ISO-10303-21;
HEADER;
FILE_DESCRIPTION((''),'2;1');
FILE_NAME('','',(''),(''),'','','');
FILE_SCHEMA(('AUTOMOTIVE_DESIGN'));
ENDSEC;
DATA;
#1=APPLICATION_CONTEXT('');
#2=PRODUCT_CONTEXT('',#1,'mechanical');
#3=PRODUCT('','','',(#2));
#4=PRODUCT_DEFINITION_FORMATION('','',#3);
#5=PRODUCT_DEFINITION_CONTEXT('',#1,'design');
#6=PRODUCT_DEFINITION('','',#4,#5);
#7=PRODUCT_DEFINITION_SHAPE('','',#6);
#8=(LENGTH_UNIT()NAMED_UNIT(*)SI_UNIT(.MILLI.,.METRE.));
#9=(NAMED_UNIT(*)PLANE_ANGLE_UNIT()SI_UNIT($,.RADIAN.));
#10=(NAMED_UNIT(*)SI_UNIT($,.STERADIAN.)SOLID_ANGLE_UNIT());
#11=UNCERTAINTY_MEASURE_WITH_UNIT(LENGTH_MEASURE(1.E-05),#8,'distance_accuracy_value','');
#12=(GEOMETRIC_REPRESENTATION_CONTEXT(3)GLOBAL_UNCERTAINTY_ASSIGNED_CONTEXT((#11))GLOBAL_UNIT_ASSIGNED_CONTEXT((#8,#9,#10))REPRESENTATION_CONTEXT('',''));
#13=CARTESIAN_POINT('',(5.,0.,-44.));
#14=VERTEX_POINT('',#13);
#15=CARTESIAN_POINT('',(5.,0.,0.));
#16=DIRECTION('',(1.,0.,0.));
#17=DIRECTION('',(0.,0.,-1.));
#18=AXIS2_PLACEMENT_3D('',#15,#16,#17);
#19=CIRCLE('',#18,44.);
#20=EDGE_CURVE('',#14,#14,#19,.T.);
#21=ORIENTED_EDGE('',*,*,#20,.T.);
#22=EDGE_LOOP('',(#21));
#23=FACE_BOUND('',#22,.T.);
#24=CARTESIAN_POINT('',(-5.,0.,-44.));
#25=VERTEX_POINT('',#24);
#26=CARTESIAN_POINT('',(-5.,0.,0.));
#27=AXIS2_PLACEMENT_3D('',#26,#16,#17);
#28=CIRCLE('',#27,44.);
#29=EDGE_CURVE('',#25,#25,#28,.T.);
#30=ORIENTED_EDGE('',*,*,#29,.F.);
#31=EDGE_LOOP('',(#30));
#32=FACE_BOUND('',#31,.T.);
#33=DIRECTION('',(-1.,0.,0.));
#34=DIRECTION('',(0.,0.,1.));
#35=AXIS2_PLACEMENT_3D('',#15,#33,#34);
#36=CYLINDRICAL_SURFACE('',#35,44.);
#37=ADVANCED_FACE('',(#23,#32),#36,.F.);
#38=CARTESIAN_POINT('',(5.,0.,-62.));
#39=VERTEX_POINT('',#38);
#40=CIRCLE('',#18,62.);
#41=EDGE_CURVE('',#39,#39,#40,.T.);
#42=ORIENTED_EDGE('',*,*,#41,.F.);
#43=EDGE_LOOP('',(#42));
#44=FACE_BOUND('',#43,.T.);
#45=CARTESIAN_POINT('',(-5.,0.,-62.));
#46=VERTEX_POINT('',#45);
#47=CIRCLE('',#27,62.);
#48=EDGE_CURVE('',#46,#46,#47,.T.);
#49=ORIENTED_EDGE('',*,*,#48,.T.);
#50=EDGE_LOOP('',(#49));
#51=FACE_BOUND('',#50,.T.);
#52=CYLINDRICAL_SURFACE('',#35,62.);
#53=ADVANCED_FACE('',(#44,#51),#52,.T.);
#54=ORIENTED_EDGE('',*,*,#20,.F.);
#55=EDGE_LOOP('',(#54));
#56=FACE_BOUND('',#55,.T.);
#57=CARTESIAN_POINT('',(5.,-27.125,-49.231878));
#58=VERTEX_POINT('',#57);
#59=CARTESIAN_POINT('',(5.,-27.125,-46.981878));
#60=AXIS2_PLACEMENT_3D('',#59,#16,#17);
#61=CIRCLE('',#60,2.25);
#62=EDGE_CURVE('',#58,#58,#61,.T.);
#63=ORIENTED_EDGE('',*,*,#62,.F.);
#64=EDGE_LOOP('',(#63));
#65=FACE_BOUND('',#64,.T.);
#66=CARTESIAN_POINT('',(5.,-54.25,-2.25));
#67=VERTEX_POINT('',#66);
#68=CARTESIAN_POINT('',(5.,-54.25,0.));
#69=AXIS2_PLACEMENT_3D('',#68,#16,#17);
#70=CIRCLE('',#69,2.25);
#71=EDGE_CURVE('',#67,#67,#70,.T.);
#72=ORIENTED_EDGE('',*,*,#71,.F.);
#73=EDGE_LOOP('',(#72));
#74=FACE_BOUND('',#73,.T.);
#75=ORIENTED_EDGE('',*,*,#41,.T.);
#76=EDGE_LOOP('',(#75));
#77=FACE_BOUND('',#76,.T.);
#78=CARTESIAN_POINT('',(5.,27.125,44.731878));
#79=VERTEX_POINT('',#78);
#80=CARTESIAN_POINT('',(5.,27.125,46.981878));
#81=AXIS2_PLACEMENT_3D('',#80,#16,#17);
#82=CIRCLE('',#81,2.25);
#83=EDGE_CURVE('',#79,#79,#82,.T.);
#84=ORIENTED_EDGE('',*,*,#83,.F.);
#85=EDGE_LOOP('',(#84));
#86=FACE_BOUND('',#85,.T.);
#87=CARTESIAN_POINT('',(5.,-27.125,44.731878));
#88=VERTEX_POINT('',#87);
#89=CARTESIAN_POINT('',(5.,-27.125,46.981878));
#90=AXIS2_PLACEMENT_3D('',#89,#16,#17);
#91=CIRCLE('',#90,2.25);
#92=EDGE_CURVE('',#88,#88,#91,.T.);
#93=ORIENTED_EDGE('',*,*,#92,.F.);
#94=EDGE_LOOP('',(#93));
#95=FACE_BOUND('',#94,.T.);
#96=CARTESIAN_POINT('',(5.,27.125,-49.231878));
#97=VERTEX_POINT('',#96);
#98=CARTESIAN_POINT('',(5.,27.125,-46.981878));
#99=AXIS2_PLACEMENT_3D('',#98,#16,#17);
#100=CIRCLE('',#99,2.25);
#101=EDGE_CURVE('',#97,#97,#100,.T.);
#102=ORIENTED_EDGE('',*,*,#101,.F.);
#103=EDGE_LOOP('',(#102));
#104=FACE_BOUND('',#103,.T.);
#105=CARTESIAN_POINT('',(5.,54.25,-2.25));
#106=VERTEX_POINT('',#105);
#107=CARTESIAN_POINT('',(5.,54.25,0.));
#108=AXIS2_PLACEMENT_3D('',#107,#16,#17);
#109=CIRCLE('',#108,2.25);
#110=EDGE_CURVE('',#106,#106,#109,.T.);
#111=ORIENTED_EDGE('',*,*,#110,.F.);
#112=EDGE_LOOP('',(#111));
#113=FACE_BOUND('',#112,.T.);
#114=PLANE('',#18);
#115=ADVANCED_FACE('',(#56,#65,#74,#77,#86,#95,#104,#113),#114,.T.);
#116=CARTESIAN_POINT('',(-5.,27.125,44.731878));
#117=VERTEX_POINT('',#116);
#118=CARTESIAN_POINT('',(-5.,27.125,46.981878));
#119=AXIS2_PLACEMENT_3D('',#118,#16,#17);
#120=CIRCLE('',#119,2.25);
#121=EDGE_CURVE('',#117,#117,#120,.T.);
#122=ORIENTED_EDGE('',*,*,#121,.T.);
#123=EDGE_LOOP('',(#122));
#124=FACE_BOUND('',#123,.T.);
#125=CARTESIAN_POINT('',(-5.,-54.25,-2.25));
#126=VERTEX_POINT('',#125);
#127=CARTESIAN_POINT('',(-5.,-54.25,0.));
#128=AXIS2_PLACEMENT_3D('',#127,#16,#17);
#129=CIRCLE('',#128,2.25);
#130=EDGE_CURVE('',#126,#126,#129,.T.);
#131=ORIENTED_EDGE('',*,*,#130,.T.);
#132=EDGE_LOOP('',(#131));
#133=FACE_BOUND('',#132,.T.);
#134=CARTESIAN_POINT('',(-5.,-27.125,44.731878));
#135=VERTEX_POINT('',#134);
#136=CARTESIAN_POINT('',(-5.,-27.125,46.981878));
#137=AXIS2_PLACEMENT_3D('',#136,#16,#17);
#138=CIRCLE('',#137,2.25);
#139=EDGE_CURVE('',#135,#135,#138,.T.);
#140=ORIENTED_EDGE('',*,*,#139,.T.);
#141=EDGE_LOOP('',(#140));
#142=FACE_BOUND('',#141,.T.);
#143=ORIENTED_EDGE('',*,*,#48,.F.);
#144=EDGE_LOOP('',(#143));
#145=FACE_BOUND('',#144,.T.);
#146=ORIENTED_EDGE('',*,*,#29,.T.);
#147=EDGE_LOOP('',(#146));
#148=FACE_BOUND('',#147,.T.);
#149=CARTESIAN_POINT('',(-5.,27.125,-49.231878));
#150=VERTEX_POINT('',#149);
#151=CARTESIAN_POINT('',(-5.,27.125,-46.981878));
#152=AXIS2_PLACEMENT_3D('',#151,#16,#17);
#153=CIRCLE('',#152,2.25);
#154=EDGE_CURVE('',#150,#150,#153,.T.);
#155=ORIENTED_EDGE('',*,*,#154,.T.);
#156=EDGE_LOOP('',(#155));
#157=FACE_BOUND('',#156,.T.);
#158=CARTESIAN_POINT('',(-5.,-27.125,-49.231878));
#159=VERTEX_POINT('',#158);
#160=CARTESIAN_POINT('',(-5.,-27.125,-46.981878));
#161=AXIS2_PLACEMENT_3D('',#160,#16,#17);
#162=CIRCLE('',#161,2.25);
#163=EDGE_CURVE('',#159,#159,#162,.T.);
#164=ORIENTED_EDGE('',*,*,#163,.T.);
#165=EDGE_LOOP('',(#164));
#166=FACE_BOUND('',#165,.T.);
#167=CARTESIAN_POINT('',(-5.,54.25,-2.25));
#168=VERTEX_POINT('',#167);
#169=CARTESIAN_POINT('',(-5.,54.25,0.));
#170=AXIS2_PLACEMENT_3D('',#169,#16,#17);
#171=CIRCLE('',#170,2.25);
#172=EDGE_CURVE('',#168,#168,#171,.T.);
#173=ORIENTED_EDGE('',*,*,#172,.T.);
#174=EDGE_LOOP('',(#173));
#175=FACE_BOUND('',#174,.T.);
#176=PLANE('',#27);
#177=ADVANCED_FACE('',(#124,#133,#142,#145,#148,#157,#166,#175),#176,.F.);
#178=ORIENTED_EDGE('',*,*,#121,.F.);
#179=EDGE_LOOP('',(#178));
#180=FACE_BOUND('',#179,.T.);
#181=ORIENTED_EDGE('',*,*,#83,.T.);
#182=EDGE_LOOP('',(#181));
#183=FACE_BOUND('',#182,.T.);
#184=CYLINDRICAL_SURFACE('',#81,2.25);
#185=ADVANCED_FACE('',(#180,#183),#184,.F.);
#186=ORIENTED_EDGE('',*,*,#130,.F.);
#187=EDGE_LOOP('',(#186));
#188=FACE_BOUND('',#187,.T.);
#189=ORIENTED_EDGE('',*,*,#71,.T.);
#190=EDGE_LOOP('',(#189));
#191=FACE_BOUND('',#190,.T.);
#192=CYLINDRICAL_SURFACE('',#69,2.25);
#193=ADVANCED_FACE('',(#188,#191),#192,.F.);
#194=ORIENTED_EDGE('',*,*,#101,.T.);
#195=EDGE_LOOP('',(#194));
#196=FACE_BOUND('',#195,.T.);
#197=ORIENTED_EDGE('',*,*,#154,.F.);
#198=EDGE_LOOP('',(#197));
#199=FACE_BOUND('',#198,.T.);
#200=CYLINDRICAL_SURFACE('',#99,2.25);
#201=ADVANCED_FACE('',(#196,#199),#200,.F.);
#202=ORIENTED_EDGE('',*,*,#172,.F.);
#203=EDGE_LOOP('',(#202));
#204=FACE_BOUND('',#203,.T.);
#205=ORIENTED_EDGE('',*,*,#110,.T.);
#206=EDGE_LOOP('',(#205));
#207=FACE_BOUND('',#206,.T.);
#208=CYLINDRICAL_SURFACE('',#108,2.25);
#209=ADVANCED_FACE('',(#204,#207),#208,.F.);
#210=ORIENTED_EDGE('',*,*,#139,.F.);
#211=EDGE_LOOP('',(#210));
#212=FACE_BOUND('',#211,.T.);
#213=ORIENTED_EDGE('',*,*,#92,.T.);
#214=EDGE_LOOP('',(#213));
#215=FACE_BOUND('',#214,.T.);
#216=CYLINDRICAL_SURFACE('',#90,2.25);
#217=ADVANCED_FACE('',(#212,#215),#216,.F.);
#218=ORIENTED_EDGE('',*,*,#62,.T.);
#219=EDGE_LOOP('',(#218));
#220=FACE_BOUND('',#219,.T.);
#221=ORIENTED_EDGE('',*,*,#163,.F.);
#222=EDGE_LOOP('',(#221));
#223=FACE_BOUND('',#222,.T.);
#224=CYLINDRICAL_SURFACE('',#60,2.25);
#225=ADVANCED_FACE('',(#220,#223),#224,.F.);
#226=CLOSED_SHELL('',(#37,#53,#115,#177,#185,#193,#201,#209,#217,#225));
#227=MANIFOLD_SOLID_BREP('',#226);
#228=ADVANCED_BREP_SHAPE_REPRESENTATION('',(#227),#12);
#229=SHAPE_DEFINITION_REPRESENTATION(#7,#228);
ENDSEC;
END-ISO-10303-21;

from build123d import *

# Parameters (mm, degrees)
SKETCH_1_R                = 62
SKETCH_1_R_2              = 44
EXTRUDE_373_DEPTH         = 5
PATTERN_CIRCULAR_M4_COUNT = 6


with BuildPart() as part:
    # ｽｹｯﾁ1 → Extrude 373 (new, symmetric)
    with BuildSketch(Plane(origin=(0, 0, 0), x_dir=(0, 0, -1), z_dir=(1, 0, 0))):
        Circle(SKETCH_1_R)
        Circle(SKETCH_1_R_2, mode=Mode.SUBTRACT)
    extrude(amount=EXTRUDE_373_DEPTH, both=True)

    # ｽｹｯﾁ2 → M4 通し穴 (revolve, cut)
    with BuildSketch(Plane(origin=(5, 54.25, 0), x_dir=(0, 0, -1), z_dir=(0, 1, 0))):
        Polygon((0, 0), (0, 11.351936393), (2.25, 10), (2.25, 0), align=None)
    hole_wizard_m4 = revolve(axis=Axis((11.35, 54.25, 0), (-1, 0, 0)), mode=Mode.SUBTRACT)

    # M4 通し穴 等配: M4 通し穴 ×6 about axis
    pattern_circular_m4_axis = Axis((-5.5, 0, 0), (1, 0, 0))
    for i in range(1, PATTERN_CIRCULAR_M4_COUNT):
        add(hole_wizard_m4.rotate(pattern_circular_m4_axis, i * 360 / PATTERN_CIRCULAR_M4_COUNT), mode=Mode.SUBTRACT)


solid = part.part
